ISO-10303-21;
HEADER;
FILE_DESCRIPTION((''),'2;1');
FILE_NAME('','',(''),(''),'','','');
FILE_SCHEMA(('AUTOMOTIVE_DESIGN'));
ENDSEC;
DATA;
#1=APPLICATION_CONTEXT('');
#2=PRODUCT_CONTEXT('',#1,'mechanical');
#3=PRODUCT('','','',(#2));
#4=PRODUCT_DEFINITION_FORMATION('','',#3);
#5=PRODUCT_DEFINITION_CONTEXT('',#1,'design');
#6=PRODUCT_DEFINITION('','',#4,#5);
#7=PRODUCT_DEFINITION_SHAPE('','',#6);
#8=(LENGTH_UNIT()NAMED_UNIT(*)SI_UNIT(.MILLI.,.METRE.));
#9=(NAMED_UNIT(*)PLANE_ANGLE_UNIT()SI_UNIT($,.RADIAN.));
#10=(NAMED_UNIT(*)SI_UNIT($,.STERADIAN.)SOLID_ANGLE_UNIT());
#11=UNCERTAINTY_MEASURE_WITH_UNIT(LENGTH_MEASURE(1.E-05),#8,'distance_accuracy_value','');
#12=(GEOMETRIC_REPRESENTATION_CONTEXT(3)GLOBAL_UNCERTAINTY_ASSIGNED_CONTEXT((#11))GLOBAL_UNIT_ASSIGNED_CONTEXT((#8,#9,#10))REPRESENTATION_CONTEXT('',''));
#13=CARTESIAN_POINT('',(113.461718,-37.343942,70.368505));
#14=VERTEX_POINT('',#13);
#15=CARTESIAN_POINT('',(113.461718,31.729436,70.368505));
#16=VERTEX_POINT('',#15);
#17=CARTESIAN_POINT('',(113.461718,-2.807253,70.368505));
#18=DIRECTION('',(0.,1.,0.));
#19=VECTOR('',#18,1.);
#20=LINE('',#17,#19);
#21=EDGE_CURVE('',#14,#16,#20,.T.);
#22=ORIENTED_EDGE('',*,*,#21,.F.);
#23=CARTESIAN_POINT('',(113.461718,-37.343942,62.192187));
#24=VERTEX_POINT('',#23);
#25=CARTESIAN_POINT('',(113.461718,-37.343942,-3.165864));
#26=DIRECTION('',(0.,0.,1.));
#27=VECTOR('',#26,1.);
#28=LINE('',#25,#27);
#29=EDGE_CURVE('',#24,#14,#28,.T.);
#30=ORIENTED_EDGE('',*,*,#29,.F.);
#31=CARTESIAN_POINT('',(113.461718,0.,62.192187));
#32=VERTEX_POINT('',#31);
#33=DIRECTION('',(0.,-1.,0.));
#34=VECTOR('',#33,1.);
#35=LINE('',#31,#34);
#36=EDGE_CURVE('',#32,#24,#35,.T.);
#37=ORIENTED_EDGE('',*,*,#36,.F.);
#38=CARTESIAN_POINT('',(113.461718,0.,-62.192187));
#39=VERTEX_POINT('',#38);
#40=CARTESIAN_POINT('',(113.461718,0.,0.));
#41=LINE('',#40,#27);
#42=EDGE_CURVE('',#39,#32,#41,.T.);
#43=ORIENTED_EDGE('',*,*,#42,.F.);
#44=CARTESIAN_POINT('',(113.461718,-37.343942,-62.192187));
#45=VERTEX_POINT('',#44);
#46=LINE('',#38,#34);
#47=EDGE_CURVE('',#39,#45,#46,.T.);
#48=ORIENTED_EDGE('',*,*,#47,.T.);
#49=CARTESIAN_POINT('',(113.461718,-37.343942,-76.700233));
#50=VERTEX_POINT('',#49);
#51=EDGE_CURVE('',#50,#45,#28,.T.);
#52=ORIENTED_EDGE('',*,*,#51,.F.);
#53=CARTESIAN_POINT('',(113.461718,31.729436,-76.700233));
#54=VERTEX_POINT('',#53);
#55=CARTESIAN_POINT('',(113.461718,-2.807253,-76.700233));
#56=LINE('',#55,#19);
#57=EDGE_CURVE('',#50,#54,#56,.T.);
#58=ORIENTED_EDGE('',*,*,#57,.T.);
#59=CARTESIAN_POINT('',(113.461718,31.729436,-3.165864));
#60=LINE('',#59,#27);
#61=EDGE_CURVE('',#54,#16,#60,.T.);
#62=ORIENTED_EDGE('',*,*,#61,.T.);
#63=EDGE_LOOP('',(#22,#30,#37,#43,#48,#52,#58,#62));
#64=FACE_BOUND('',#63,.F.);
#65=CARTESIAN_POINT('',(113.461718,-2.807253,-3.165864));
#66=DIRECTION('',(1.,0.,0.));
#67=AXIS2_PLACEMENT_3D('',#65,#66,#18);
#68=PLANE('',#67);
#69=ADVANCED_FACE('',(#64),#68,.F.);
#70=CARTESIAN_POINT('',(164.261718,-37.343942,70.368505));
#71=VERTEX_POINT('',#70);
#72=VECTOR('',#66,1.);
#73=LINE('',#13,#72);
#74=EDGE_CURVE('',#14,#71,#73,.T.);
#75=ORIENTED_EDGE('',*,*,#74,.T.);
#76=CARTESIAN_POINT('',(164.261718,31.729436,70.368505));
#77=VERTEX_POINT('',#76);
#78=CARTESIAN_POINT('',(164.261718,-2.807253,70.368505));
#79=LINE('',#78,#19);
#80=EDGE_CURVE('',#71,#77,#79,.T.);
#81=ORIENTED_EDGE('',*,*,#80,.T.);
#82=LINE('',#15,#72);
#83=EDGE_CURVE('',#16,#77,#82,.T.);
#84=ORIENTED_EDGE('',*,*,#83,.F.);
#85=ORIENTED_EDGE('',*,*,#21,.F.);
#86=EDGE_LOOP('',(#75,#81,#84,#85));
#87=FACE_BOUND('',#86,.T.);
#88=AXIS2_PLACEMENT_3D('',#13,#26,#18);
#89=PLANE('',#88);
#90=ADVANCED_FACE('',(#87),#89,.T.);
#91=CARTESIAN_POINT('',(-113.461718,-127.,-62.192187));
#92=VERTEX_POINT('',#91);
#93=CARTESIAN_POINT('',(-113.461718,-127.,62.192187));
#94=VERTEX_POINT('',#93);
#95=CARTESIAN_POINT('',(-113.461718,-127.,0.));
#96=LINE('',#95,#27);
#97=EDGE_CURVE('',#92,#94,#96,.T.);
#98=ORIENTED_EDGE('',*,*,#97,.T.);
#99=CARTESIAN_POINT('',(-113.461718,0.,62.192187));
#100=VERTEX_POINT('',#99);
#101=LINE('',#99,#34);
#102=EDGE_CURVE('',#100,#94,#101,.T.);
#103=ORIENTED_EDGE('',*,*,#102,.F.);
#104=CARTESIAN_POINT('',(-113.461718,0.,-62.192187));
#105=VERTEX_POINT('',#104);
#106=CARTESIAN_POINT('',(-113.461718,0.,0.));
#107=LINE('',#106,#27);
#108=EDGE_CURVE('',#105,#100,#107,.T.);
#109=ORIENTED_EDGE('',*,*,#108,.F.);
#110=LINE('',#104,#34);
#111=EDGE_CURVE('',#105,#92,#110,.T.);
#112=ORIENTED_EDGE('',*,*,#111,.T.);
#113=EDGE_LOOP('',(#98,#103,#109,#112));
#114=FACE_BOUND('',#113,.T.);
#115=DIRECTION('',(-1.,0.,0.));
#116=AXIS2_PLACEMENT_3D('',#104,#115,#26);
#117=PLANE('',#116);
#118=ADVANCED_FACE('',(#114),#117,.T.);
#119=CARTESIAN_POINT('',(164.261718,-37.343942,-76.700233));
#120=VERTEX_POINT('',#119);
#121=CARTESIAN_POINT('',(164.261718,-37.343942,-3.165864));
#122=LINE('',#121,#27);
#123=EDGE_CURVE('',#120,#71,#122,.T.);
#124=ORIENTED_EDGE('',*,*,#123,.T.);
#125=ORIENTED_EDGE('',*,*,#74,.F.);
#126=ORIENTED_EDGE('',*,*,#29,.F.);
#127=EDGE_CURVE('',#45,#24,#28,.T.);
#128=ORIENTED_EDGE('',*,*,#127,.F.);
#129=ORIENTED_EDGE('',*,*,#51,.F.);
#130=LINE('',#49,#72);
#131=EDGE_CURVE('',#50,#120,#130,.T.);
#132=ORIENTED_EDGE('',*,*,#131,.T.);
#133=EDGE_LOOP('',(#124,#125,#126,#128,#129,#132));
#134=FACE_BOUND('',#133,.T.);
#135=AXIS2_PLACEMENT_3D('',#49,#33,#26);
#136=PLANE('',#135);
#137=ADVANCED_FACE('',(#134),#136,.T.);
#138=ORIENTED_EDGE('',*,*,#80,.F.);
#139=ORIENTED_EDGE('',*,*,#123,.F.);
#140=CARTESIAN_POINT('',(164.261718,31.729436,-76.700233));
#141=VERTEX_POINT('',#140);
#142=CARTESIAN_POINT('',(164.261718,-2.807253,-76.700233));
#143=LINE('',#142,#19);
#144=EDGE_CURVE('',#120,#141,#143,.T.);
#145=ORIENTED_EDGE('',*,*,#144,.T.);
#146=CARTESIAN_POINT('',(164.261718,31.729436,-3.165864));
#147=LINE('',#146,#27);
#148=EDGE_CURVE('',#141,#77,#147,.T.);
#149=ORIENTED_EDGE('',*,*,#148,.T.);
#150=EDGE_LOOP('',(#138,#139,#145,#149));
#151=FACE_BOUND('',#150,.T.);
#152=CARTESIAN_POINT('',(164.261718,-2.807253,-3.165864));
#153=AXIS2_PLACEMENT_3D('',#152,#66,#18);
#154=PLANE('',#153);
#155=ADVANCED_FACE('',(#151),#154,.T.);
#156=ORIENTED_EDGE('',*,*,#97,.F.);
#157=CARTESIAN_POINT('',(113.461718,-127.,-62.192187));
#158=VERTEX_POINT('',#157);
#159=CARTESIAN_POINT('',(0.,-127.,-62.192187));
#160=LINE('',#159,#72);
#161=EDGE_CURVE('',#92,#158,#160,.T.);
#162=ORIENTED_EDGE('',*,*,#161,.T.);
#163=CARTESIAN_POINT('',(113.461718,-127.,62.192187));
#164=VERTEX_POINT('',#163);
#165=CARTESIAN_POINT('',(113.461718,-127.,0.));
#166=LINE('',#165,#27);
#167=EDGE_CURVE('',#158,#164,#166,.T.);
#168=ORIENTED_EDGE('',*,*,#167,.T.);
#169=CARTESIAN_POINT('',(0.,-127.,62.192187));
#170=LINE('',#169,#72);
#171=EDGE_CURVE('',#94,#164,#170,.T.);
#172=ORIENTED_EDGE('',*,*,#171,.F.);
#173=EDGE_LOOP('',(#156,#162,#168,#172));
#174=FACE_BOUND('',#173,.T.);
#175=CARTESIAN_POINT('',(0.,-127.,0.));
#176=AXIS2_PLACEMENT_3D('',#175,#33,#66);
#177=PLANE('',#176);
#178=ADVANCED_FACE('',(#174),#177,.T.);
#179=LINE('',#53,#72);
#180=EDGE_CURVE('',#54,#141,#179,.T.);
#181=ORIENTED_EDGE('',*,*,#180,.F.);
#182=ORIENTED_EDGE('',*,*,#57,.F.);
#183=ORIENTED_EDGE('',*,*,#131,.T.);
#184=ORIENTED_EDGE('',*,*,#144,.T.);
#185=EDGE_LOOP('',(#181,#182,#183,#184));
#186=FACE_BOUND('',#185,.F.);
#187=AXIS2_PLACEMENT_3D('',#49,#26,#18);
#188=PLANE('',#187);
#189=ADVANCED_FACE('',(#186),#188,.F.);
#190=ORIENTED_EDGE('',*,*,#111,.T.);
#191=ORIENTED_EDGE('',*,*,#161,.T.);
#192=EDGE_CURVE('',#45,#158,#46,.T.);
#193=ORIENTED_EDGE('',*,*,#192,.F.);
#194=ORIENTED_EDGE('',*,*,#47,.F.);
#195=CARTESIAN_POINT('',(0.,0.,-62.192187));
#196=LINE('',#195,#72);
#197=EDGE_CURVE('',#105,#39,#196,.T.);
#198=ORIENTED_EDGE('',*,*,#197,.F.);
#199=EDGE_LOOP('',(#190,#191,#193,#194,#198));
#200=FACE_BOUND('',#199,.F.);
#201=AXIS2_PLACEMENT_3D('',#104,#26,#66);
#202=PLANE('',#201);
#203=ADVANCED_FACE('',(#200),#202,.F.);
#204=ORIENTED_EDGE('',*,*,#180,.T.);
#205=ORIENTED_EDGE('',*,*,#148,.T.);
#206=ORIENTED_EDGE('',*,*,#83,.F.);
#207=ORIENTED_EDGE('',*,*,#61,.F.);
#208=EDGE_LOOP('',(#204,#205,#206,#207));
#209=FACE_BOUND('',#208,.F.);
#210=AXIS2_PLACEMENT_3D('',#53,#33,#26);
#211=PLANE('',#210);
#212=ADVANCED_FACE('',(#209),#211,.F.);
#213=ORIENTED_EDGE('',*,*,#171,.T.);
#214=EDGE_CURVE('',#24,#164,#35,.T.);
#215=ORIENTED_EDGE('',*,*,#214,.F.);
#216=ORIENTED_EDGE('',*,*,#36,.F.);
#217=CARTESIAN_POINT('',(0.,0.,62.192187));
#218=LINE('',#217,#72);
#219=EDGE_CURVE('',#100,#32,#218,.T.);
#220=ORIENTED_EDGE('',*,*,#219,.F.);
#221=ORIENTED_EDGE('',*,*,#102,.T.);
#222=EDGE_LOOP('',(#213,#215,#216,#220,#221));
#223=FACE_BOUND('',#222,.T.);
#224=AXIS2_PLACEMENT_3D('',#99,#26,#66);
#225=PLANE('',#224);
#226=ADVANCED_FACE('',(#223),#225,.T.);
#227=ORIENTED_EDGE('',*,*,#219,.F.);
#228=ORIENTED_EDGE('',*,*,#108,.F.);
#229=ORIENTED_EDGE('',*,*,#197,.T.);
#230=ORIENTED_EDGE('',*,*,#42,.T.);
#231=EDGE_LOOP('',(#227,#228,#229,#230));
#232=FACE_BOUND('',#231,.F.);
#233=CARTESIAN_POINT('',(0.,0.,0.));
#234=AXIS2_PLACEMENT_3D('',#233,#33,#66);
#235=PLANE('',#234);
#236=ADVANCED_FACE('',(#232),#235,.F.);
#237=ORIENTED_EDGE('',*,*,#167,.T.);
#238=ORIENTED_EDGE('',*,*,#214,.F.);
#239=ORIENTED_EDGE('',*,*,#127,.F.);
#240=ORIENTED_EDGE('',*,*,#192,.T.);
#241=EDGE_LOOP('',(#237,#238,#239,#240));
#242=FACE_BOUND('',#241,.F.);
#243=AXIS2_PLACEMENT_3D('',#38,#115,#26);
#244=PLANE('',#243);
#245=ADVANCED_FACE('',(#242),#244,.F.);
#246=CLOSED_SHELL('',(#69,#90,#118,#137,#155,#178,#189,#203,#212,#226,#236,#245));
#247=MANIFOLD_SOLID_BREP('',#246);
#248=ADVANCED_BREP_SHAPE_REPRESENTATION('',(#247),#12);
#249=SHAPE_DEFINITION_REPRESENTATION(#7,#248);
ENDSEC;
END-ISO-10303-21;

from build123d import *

# Parameters (mm, degrees)
F0_W     = 226.923436
F0_H     = 124.384374
F1_DEPTH = 127
F2_W     = 69.073379
F2_H     = 147.068739
F3_DEPTH = 50.8


with BuildPart() as f1:
    # F0 (on Front) → F1 (new body)
    with BuildSketch(Plane.XZ):
        Rectangle(F0_W, F0_H)
    extrude(amount=F1_DEPTH)

    # F2 (on face) → F3 (join)
    with BuildSketch(Plane.YZ.offset(113.461718)):
        with Locations((-2.807253, -3.165864)):
            Rectangle(F2_W, F2_H)
    extrude(amount=F3_DEPTH)


solid = f1.part
